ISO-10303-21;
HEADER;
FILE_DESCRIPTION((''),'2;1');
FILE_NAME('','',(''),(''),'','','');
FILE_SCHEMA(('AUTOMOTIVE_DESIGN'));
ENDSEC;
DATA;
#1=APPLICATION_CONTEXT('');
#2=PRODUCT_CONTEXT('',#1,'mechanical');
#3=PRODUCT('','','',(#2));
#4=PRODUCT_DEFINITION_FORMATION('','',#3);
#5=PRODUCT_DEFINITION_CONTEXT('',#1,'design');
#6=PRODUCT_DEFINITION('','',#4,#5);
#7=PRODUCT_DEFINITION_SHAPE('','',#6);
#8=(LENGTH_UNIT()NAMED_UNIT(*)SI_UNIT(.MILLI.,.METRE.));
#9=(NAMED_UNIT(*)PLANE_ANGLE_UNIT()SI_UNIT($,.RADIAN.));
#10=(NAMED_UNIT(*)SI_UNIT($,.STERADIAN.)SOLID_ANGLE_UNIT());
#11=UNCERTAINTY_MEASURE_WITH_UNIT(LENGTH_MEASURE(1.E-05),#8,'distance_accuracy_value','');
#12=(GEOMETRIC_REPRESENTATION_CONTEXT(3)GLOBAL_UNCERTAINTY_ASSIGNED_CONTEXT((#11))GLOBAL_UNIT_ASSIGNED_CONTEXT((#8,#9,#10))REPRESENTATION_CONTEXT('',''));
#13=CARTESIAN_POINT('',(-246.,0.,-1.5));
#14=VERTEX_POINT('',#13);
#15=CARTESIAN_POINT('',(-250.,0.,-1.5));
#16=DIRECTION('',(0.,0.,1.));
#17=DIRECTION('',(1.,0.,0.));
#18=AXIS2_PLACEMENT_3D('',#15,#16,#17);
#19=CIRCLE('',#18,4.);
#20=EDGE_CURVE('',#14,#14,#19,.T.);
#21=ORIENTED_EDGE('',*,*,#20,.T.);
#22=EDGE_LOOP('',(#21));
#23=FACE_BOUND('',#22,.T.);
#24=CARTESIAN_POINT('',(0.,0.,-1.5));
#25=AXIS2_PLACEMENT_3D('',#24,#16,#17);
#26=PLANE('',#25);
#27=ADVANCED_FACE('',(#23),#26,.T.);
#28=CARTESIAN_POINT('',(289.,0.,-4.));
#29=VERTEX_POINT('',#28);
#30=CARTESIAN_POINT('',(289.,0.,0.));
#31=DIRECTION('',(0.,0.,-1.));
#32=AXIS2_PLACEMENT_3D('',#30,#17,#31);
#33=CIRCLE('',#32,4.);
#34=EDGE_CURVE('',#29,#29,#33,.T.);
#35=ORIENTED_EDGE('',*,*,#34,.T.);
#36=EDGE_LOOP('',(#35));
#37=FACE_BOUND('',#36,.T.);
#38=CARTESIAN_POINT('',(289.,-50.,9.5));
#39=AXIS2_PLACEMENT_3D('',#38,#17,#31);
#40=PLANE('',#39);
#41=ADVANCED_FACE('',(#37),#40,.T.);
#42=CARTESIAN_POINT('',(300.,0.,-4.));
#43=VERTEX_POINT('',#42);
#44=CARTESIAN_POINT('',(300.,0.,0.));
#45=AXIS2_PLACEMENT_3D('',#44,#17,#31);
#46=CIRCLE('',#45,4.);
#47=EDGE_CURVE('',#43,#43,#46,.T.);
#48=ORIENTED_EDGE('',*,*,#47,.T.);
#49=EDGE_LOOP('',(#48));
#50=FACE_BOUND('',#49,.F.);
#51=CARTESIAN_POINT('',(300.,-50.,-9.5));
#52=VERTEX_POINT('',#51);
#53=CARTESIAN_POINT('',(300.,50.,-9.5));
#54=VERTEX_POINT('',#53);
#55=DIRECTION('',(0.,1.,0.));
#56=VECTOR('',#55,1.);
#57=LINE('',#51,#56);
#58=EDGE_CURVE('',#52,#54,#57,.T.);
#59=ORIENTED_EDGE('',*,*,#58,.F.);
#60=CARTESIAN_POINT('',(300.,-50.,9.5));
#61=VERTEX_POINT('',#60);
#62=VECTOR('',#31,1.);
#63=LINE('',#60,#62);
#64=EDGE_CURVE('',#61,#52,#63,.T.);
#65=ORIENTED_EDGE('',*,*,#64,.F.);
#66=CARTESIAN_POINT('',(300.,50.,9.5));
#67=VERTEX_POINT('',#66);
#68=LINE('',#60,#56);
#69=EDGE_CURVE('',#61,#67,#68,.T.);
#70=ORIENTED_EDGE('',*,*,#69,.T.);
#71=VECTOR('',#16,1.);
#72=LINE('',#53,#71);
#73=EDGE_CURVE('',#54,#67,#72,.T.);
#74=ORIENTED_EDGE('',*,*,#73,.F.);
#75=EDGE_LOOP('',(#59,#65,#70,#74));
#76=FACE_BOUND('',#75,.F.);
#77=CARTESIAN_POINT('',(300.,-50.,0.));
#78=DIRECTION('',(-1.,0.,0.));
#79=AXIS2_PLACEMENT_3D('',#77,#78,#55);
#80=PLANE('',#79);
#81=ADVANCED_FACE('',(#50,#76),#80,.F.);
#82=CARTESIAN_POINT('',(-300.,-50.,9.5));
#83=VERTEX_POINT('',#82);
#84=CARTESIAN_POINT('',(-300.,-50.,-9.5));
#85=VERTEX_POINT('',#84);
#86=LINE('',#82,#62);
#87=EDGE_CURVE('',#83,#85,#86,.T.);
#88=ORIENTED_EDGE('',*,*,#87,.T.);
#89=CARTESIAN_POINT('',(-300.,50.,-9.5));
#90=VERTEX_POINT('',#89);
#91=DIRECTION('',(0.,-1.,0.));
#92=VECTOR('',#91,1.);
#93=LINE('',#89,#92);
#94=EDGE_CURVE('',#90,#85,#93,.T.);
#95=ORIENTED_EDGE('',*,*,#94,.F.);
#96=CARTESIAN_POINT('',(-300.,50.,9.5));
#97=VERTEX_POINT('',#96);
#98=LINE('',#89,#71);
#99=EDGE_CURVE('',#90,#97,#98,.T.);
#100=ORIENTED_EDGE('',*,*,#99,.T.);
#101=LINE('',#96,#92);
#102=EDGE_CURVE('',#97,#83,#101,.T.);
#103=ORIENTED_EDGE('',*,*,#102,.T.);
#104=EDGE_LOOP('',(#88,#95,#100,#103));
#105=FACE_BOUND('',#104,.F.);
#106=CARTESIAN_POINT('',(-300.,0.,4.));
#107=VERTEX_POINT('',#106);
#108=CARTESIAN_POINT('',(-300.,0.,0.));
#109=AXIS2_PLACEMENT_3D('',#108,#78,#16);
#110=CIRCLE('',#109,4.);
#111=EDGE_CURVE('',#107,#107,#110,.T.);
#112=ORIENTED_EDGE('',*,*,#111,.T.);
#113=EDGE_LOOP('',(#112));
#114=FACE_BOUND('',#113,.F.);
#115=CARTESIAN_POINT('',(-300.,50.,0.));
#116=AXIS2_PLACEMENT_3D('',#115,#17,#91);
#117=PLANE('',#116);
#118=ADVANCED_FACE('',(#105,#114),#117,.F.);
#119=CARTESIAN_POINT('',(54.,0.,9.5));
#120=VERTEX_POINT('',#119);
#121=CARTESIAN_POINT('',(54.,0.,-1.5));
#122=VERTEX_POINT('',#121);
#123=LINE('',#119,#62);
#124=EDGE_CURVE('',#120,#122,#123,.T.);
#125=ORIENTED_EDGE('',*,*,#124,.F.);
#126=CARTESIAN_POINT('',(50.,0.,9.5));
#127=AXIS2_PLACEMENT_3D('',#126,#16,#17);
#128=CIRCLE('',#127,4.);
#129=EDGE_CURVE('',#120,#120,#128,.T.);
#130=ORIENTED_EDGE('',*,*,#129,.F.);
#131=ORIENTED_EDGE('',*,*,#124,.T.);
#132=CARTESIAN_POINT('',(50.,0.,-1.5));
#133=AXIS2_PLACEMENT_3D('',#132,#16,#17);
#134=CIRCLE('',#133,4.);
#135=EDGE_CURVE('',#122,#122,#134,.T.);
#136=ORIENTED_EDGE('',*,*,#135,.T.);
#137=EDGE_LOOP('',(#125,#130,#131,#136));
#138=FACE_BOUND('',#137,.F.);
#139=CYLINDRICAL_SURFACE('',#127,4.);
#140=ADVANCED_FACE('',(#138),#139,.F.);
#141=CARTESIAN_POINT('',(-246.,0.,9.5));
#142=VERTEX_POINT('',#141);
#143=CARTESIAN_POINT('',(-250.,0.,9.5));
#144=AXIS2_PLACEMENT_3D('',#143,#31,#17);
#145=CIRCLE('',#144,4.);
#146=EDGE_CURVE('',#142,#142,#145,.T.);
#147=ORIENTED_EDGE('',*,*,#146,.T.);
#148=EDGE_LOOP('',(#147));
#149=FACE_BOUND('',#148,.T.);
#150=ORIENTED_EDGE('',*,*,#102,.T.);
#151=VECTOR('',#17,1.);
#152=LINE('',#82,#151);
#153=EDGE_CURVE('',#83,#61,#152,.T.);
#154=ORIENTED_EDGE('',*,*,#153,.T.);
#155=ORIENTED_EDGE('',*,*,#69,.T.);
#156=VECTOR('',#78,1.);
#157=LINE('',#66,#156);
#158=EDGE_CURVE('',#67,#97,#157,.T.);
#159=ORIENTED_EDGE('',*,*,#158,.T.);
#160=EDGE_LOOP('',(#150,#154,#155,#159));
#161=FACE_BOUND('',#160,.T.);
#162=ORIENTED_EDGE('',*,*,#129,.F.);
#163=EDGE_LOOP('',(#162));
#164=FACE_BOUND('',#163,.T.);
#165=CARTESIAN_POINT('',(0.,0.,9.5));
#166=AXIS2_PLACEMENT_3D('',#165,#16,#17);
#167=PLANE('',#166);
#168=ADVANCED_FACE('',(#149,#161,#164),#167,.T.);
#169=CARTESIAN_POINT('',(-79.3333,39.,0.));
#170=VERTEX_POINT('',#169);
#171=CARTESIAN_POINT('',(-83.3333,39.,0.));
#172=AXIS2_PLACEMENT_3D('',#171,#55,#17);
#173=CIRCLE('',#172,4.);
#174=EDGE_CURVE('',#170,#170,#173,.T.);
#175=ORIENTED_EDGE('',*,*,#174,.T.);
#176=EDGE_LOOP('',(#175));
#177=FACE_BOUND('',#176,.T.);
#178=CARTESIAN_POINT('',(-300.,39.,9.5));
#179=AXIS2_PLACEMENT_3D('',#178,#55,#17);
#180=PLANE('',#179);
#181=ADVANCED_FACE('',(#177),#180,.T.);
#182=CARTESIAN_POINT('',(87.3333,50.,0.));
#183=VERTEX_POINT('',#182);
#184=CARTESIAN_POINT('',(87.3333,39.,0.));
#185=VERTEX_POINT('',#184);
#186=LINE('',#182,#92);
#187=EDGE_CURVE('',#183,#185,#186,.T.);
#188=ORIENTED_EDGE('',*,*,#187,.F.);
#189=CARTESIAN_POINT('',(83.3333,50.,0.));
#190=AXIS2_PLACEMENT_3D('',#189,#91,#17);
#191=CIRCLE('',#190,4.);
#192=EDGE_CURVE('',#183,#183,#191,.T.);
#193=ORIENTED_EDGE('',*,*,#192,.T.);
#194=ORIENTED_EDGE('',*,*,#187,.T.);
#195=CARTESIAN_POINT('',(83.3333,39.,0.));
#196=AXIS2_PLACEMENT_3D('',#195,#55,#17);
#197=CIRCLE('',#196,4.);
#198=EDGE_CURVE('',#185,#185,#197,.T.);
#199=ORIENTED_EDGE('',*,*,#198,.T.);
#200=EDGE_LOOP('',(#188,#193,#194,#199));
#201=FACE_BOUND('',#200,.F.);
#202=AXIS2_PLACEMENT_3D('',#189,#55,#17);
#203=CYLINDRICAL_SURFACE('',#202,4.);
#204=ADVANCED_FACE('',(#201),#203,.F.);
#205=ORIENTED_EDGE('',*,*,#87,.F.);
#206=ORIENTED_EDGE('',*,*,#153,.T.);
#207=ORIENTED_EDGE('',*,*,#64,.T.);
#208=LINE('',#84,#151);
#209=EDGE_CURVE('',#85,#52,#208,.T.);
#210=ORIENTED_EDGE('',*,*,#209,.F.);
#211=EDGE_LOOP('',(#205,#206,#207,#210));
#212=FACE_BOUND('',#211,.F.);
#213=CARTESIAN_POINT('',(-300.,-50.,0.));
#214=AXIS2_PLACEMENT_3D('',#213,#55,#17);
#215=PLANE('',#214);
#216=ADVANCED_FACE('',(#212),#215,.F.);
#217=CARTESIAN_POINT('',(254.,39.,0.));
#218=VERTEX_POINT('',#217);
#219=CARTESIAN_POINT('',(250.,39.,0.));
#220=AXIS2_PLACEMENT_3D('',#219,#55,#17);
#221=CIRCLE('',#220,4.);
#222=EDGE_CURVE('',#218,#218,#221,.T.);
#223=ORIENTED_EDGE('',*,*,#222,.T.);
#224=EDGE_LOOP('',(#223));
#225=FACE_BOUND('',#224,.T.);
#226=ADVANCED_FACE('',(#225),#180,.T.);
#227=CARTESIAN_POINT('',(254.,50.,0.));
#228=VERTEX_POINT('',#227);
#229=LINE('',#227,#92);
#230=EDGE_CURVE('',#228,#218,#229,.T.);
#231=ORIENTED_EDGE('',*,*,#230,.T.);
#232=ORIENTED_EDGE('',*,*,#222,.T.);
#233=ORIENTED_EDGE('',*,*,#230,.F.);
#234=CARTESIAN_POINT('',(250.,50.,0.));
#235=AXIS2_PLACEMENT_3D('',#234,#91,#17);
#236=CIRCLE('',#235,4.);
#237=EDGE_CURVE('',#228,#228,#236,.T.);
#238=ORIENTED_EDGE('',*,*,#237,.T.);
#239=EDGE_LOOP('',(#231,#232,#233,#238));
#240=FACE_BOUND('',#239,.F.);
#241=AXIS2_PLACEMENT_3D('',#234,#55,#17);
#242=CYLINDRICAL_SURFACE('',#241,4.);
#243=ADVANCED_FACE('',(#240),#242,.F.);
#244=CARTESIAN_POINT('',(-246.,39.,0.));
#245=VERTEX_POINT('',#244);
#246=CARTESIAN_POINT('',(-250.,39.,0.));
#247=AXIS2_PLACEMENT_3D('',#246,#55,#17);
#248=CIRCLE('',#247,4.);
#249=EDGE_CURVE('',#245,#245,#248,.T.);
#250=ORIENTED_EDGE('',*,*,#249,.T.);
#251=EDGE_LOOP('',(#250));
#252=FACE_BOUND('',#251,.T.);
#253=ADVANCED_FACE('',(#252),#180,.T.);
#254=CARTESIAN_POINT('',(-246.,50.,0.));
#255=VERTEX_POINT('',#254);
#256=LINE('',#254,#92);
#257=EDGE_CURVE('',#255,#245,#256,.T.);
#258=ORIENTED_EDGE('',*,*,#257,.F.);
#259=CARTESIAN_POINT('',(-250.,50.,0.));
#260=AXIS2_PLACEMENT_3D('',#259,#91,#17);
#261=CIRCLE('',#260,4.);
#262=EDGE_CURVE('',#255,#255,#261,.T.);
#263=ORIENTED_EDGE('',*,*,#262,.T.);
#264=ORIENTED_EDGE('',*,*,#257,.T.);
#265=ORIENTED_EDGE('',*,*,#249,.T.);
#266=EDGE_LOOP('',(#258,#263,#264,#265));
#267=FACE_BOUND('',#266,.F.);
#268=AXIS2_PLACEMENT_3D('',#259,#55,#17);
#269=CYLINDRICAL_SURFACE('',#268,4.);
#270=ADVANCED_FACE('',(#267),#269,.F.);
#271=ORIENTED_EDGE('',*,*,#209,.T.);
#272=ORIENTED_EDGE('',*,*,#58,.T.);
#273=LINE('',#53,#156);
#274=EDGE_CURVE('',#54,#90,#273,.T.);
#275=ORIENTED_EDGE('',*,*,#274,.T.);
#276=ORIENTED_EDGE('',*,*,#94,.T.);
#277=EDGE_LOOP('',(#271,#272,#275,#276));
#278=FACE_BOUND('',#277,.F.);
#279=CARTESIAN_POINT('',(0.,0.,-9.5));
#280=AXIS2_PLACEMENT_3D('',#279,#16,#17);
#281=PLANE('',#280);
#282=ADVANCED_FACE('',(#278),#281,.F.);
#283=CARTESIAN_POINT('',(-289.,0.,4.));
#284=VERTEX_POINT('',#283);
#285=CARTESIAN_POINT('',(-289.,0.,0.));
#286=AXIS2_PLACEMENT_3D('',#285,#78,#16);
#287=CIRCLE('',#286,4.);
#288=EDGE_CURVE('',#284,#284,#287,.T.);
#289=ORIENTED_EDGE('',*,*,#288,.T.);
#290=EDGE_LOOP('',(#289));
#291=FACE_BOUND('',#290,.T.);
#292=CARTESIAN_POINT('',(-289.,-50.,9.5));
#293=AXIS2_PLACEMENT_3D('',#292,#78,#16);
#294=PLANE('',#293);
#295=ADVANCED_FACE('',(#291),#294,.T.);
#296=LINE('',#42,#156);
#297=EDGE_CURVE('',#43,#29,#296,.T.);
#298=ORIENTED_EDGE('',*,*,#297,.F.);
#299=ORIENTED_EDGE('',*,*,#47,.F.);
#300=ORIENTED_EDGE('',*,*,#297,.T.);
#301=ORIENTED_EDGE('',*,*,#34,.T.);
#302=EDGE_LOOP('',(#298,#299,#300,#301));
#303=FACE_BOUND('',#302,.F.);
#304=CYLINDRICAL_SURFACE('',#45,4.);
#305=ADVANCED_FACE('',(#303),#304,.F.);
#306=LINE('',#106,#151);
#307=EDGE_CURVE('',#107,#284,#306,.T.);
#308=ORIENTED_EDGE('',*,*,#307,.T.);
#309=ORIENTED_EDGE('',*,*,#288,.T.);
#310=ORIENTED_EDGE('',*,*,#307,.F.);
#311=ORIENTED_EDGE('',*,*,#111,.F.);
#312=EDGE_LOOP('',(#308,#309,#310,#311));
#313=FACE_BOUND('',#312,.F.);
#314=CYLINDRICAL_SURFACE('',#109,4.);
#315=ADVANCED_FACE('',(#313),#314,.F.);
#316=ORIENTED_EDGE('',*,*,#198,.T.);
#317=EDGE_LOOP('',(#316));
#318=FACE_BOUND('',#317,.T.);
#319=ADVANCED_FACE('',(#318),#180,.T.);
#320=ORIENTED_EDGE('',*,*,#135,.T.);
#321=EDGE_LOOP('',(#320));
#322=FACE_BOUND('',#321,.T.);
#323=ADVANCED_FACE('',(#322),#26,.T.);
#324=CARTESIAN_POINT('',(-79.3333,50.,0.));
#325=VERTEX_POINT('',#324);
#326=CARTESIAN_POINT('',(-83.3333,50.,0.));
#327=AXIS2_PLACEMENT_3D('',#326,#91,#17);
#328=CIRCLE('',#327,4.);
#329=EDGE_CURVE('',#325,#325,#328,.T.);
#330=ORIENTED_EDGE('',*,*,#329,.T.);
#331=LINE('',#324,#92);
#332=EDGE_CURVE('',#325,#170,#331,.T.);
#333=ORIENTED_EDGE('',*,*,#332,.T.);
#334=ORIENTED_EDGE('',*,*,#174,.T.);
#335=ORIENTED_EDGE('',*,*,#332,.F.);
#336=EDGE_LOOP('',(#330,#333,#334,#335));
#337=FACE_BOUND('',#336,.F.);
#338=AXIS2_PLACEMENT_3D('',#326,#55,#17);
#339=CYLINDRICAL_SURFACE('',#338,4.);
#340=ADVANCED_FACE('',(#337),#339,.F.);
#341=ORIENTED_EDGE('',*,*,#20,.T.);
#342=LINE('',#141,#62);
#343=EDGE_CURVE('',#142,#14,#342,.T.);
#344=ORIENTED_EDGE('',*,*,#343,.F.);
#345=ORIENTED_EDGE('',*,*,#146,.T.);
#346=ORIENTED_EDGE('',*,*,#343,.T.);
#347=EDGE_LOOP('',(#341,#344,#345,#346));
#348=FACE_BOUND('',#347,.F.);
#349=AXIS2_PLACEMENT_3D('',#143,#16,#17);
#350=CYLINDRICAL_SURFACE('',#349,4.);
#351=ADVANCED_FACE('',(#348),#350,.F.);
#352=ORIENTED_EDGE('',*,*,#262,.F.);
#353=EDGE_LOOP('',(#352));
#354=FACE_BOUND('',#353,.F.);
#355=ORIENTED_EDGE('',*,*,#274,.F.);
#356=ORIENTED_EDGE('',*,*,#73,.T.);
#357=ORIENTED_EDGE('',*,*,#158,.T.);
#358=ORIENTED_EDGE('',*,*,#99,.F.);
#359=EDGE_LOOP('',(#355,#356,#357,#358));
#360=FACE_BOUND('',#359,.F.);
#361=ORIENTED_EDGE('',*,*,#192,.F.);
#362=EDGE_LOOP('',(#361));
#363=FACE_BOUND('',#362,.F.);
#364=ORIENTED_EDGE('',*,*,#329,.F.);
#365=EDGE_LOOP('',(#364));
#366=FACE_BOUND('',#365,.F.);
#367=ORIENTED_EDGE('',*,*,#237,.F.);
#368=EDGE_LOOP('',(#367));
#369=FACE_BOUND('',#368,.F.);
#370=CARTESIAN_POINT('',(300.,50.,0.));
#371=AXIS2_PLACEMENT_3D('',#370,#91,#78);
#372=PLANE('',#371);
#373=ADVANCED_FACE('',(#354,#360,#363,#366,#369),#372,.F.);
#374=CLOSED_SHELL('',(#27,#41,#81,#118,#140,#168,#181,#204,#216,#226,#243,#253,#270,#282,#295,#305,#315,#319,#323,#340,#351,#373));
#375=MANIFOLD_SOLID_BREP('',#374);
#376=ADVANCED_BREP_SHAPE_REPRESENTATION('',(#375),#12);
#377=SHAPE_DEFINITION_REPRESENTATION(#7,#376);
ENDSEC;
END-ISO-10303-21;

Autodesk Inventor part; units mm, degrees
ref_plane "YZ Plane" through (0, 0, 0) normal (1, 0, 0) x (0, 1, 0)
ref_plane "XZ Plane" through (0, 0, 0) normal (0, 1, 0) x (-1, 0, 0)
ref_plane "XY Plane" through (0, 0, 0) normal (0, 0, 1) x (1, 0, 0)
sketch "Sketch1" plane through (0, 0, 0) normal (0, 0, 1) x (1, 0, 0)
  line L0 (300, 50) -> (-300, 50)
  line L1 (-300, 50) -> (-300, -50)
  line L2 (-300, -50) -> (300, -50)
  line L3 (300, -50) -> (300, 50)
  line L4 (300, 50) -> (-300, -50) construction
  line L5 (-300, 50) -> (300, -50) construction
  point P0 (0, 0)
  dimension "d0" = 600
  dimension "d1" = 100
extrude "Extrusion1" add sketch "Sketch1" along normal mid plane 19
sketch "Sketch2" plane through (0, 0, 9.5) normal (0, 0, 1) x (1, 0, 0)
  line L0 (-300, 50) -> (-300, -50) projected
  line L1 (-300, 0) -> (-250, 0)
  line L2 (300, -50) -> (300, 50) projected
  line L3 (300, 0) -> (50, 0)
  circle A0 centre (-250, 0) radius 4
  circle A1 centre (50, 0) radius 4
  point P0 (0, 0)
  dimension "d4" = 50
  dimension "d5" = 250
  dimension "d6" = 8
  dimension "d7" = 8
extrude "Extrusion2" cut sketch "Sketch2" against normal blind 11
sketch "Sketch3" plane through (-300, 50, 9.5) normal (0, 1, 0) x (1, 0, 0)
  line L0 (0, 19) -> (0, 0) projected
  line L1 (0, 9.5) -> (50, 9.5)
  line L2 (50, 9.5) -> (216.6667, 9.5)
  line L3 (216.6667, 9.5) -> (383.3333, 9.5)
  line L4 (383.3333, 9.5) -> (550, 9.5)
  line L5 (550, 9.5) -> (600, 9.5)
  circle A0 centre (50, 9.5) radius 4
  circle A1 centre (216.6667, 9.5) radius 4
  circle A2 centre (383.3333, 9.5) radius 4
  circle A3 centre (550, 9.5) radius 4
  point P0 (300, 9.5)
  dimension "d10" = 50
  dimension "d11" = 166.6667
  dimension "d12" = 166.6667
  dimension "d13" = 166.6667
  dimension "d14" = 50
  dimension "d15" = 8
  dimension "d16" = 8
  dimension "d17" = 8
  dimension "d18" = 8
extrude "Extrusion3" cut sketch "Sketch3" against normal blind 11
sketch "Sketch4" plane through (300, -50, 9.5) normal (1, 0, 0) x (0, 0, -1)
  circle A0 centre (9.5, 50) radius 4
  dimension "d21" = 8
extrude "Extrusion4" cut sketch "Sketch4" against normal blind 11
sketch "Sketch5" plane through (-300, -50, 9.5) normal (-1, 0, 0) x (0, 0, 1)
  circle A0 centre (-9.5, 50) radius 4
  dimension "d24" = 8
extrude "Extrusion5" cut sketch "Sketch5" against normal blind 11
properties part number "D"
